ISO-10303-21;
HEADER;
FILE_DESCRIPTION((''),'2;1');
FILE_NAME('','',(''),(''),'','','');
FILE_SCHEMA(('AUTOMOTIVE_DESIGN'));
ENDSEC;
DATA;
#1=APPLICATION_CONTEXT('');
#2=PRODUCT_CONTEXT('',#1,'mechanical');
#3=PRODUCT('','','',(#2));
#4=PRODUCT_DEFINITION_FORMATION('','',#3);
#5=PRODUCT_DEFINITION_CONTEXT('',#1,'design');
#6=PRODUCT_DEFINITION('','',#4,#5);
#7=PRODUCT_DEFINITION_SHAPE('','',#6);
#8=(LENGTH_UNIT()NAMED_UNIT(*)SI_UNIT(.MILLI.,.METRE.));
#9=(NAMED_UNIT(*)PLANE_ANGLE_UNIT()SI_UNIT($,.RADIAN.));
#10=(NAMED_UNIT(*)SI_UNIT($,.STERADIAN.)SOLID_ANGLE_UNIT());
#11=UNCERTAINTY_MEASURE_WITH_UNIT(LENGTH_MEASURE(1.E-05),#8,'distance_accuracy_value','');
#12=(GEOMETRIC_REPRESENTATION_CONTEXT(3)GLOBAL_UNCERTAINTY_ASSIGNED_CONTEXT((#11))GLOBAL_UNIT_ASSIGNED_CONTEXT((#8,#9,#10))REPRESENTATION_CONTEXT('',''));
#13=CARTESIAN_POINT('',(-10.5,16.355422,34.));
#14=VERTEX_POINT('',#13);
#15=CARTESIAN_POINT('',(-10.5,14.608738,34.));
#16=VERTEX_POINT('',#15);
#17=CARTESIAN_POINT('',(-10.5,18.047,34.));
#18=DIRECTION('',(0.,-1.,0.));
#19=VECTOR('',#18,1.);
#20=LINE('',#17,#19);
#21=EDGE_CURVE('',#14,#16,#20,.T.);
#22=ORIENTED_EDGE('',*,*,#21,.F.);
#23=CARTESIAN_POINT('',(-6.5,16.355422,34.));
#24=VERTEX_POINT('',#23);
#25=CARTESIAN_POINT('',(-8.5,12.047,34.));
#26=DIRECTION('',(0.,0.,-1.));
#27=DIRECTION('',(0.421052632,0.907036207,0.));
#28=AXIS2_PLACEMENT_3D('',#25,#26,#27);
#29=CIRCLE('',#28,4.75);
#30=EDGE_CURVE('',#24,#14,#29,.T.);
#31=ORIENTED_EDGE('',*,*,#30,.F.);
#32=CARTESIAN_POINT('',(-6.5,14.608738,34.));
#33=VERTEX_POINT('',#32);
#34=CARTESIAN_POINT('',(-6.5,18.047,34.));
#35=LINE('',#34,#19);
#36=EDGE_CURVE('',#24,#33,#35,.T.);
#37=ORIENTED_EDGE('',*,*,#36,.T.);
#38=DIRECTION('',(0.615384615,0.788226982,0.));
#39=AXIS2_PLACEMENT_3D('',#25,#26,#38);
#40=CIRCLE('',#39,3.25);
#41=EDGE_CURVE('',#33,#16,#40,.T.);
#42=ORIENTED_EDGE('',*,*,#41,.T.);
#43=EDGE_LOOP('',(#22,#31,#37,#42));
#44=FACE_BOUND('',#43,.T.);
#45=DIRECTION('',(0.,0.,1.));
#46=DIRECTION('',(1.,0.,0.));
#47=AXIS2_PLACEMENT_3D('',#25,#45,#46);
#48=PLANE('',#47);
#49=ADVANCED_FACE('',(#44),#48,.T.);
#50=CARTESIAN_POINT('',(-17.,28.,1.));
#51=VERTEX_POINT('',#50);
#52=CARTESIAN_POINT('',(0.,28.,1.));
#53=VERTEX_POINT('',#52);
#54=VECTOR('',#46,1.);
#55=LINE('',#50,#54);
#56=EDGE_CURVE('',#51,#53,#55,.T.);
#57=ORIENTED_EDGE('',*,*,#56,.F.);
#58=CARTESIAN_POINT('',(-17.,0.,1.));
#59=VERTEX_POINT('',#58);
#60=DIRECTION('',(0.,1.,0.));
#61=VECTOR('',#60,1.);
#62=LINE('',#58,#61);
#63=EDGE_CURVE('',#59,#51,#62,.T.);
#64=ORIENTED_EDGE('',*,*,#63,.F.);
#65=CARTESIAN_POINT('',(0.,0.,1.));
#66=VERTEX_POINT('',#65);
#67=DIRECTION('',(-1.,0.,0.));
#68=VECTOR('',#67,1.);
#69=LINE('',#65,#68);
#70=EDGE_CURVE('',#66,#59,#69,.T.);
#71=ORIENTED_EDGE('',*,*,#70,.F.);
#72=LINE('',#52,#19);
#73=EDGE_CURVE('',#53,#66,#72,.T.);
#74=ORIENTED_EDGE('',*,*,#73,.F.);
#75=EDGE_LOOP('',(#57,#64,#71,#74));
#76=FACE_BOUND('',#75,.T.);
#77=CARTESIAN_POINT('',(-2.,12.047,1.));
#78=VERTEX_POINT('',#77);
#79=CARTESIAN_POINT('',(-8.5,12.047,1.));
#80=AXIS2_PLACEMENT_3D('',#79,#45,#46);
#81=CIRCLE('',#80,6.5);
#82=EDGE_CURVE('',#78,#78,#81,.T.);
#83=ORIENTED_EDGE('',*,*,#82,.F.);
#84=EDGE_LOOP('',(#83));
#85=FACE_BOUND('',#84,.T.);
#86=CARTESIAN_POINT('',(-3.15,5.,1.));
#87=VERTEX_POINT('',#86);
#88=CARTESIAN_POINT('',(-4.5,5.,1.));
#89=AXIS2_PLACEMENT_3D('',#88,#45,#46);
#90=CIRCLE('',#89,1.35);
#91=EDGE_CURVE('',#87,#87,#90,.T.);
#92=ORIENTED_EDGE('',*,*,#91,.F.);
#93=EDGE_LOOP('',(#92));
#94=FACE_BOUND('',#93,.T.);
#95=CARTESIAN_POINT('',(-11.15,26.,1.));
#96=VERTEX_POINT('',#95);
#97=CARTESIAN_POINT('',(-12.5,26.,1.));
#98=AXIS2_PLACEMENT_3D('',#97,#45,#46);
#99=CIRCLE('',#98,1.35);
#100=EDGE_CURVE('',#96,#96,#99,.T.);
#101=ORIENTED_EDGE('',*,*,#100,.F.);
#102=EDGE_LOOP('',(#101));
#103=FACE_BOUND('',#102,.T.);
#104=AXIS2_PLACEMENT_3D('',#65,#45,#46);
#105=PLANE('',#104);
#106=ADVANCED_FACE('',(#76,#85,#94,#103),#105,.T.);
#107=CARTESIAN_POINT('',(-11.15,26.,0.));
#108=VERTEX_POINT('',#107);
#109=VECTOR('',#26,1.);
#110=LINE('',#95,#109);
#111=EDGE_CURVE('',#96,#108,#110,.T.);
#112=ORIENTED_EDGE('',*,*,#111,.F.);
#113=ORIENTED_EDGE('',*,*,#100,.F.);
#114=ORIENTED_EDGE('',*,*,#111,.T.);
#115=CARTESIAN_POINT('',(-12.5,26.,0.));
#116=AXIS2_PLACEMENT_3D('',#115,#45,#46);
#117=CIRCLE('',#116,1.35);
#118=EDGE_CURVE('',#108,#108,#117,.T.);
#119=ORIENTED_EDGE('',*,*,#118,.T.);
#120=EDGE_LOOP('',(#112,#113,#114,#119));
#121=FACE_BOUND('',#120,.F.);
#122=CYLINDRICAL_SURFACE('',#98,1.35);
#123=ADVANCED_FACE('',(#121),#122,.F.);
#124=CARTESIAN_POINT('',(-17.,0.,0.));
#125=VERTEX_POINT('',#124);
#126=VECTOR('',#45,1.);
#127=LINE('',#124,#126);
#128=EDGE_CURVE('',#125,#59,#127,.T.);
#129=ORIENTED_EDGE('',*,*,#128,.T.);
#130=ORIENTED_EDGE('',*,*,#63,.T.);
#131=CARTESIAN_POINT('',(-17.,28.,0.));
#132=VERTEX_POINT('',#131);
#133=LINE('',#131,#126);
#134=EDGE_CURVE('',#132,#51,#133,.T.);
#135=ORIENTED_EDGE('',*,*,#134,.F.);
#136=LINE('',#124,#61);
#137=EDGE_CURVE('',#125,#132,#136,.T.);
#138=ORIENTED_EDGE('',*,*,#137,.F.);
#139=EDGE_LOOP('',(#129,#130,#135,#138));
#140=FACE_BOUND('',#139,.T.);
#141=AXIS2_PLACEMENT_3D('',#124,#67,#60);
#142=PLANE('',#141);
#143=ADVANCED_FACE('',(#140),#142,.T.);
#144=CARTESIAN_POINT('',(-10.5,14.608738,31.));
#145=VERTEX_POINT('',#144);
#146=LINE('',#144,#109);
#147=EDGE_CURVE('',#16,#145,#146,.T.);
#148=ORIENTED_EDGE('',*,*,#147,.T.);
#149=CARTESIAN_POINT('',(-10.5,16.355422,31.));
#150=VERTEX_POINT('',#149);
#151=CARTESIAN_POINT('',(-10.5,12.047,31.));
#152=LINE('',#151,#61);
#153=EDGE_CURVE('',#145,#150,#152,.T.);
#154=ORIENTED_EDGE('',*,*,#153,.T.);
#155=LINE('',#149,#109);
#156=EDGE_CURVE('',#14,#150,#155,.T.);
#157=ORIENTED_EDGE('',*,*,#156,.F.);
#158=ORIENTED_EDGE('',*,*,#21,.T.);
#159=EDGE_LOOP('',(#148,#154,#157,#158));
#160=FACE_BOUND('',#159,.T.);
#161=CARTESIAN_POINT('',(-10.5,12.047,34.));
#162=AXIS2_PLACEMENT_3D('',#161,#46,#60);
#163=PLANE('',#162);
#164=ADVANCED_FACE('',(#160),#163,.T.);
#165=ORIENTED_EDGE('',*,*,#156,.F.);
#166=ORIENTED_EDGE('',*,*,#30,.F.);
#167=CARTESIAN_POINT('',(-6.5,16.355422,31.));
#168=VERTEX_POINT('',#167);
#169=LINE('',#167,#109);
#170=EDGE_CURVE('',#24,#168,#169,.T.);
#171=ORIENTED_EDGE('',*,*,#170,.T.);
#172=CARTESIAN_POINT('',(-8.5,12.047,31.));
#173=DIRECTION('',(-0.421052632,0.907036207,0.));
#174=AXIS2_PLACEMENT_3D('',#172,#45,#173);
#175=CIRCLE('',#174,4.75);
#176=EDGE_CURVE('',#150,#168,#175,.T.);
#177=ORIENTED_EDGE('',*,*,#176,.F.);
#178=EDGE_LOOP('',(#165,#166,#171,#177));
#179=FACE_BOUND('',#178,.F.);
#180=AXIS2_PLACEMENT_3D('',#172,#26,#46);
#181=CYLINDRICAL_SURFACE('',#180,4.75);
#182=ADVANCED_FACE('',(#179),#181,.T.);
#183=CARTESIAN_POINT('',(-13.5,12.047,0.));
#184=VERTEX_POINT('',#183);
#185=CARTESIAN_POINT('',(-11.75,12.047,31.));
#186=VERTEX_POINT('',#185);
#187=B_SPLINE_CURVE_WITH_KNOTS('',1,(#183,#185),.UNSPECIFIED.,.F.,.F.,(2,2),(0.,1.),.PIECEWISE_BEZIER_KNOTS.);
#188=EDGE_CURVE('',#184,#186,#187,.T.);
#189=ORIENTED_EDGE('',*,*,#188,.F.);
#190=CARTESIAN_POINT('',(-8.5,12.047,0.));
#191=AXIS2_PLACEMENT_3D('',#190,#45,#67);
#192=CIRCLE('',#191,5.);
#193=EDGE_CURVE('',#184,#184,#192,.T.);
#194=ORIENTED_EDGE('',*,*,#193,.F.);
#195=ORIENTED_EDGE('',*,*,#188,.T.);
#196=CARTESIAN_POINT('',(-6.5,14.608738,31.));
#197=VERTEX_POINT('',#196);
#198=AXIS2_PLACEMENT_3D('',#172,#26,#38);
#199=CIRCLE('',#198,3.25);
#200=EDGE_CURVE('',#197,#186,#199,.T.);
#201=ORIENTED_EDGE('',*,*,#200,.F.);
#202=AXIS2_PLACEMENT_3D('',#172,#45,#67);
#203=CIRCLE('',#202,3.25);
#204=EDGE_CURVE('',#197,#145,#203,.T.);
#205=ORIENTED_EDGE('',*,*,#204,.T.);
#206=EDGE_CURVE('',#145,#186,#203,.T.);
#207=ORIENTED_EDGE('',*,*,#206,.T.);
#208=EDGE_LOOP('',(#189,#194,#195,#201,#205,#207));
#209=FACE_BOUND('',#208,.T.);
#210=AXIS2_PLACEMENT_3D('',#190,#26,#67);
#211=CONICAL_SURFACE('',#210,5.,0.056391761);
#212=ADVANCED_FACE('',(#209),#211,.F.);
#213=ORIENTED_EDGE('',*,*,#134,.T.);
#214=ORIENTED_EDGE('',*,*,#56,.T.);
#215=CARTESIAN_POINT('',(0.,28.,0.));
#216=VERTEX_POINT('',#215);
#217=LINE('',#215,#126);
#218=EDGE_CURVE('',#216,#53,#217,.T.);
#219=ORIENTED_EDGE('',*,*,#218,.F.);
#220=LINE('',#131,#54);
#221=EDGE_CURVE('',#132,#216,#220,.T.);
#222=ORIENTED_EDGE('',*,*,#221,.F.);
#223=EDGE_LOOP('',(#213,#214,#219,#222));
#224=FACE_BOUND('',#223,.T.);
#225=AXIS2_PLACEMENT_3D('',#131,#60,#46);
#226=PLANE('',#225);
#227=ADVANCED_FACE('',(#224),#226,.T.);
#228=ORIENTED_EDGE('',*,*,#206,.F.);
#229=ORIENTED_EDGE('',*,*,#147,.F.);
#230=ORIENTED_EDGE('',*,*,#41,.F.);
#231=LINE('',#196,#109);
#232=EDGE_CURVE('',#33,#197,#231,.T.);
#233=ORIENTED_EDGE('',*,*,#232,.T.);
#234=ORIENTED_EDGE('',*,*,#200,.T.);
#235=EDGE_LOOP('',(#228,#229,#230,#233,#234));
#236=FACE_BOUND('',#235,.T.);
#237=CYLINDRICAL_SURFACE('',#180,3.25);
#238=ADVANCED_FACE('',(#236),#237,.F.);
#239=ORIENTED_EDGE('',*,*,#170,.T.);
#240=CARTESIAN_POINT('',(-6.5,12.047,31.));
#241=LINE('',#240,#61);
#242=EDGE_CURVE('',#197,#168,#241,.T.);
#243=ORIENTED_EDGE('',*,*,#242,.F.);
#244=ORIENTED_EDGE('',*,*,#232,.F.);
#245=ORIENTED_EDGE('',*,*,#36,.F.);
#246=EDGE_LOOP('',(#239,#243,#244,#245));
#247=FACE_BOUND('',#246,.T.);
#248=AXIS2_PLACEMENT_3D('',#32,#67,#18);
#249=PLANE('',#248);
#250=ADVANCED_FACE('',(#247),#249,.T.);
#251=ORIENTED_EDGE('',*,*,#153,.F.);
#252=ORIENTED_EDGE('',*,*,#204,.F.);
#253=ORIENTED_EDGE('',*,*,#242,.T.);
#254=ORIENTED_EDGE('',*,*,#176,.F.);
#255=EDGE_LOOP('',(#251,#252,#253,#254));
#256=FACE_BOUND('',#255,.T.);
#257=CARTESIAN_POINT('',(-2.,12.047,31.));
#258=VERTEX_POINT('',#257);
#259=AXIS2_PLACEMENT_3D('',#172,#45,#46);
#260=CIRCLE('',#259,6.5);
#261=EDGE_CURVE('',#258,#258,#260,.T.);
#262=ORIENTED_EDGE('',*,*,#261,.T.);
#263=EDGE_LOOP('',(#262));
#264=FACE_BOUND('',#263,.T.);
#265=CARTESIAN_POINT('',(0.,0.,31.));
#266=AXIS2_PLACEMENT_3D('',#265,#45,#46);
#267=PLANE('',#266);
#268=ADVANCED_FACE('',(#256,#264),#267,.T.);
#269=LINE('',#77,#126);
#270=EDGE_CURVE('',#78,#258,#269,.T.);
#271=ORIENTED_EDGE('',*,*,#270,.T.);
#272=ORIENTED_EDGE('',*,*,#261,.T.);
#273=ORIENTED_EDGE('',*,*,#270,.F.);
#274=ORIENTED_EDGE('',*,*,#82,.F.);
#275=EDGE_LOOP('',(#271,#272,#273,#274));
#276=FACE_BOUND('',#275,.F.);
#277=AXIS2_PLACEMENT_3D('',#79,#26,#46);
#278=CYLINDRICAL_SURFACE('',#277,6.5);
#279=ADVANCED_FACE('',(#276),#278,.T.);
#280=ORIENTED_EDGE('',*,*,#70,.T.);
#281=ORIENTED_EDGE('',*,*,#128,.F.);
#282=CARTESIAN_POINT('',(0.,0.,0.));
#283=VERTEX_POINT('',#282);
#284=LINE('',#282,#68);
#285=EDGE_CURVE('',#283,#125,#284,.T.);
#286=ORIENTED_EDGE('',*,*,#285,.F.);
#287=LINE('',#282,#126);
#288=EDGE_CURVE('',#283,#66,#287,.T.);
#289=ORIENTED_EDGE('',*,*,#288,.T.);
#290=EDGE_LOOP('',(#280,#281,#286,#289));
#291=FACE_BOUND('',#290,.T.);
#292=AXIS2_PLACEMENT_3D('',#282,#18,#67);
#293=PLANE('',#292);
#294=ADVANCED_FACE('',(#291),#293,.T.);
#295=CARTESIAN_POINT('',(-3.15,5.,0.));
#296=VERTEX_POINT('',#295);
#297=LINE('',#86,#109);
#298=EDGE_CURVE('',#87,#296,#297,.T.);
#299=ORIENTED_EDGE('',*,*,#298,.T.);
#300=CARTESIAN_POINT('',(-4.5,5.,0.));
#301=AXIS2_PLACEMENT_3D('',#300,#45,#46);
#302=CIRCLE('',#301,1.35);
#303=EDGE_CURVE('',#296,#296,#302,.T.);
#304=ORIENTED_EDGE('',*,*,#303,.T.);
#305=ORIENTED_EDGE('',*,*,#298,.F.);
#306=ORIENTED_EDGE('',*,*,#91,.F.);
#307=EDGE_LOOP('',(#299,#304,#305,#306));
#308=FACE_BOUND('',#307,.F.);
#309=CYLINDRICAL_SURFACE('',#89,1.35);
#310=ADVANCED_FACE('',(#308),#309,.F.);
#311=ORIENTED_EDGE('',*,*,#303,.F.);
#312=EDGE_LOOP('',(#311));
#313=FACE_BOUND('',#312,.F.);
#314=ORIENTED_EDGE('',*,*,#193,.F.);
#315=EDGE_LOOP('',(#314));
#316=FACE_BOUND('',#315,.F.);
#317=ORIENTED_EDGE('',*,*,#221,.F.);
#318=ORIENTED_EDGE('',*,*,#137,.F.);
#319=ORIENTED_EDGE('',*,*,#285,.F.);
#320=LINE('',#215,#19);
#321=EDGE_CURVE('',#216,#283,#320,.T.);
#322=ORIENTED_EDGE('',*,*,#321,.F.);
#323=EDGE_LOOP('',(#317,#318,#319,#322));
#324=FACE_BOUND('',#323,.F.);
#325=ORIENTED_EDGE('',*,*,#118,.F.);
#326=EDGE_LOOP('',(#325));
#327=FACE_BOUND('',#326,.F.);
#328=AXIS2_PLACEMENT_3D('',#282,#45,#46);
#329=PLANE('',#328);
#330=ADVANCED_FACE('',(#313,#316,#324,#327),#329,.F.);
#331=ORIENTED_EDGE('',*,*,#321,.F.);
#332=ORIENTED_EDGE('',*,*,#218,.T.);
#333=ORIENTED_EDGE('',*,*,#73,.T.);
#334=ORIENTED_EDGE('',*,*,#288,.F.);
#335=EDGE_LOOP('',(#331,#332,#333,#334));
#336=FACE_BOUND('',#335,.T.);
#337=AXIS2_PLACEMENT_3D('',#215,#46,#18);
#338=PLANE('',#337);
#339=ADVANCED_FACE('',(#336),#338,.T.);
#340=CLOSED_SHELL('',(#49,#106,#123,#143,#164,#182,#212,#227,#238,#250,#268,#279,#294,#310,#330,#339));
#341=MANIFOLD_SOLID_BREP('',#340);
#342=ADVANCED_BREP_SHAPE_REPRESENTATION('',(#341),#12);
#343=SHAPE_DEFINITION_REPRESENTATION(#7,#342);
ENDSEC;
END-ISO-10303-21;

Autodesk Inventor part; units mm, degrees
ref_plane "YZ Plane" through (0, 0, 0) normal (1, 0, 0) x (0, 1, 0)
ref_plane "XZ Plane" through (0, 0, 0) normal (0, 1, 0) x (-1, 0, 0)
ref_plane "XY Plane" through (0, 0, 0) normal (0, 0, 1) x (1, 0, 0)
sketch "Sketch1" plane through (0, 0, 0) normal (0, 0, 1) x (1, 0, 0)
  line L0 (-17, 28) -> (0, 28)
  line L1 (0, 28) -> (0, 0)
  line L2 (0, 0) -> (-17, 0)
  line L3 (-17, 0) -> (-17, 28)
  dimension "d0" = 17
  dimension "d1" = 28
extrude "Extrusion1" add sketch "Sketch1" along normal blind 1
sketch "Sketch2" plane through (0, 0, 1) normal (0, 0, 1) x (1, 0, 0)
  line L0 (-17, 28) -> (-17, 0) projected
  line L1 (0, 28) -> (-17, 28) projected
  line L2 (0, 0) -> (0, 28) projected
  line L3 (-17, 0) -> (0, 0) projected
  circle A0 centre (-12.5, 26) radius 1.35
  circle A1 centre (-4.5, 5) radius 1.35
  dimension "d4" = 2.7
  dimension "d5" = 2.7
  dimension "d6" = 4.5
  dimension "d7" = 4.5
  dimension "d8" = 2
  dimension "d9" = 5
extrude "Extrusion2" cut sketch "Sketch2" against normal through all contours A0 | A1
sketch "Sketch3" plane through (0, 0, 1) normal (0, 0, 1) x (1, 0, 0)
  circle A0 centre (-12.5, 26) radius 1.35 projected
  circle A1 centre (-4.5, 5) radius 1.35 projected
  line L0 (0, 28) -> (-17, 28) projected
  line L1 (-17, 28) -> (-17, 0) projected
  line L2 (-17, 0) -> (0, 0) projected
  line L3 (0, 0) -> (0, 28) projected
  circle A2 centre (-8.5, 12.047) radius 6.5
  dimension "d12" = 13
  dimension "d13" = 12.047
extrude "Extrusion3" add sketch "Sketch3" along normal blind 30 contours A2
sketch "Sketch4" plane through (-8.5, 12.047, 31) normal (0, 0, 1) x (1, 0, 0)
  circle A0 centre (0, 0) radius 6.5 projected
  circle A1 centre (0, 0) radius 3.25
  point P0 (8.5, -12.047)
  dimension "d16" = 6.5
sketch "Sketch5" plane through (0, 0, 0) normal (0, 0, -1) x (-1, 0, 0)
  circle A0 centre (8.5, 12.047) radius 6.5 projected
  circle A1 centre (8.5, 12.047) radius 5
  point P0 (0, 0)
  dimension "d17" = 10
loft "Loft1" cut profiles "Sketch5", "Sketch4" contours A1 / A1
sketch "Sketch6" plane through (-8.5, 12.047, 31) normal (0, 0, 1) x (1, 0, 0)
  circle A0 centre (0, 0) radius 3.25 projected
  circle A1 centre (0, 0) radius 4.75
  point P0 (8.5, -12.047)
  dimension "d26" = 9.5
extrude "Extrusion6" add sketch "Sketch6" along normal blind 3
sketch "Sketch7" plane through (-8.5, 12.047, 34) normal (0, 0, 1) x (1, 0, 0)
  circle A0 centre (0, 0) radius 3.25 projected
  circle A1 centre (0, 0) radius 4.75 projected
  line L0 (2, 0) -> (-2, 0)
  line L1 (-2, 0) -> (-2, 6)
  line L2 (-2, 6) -> (2, 6)
  line L3 (2, 6) -> (2, 0)
  point P0 (8.5, -12.047)
  dimension "d29" = 4
  dimension "d30" = 2
extrude "Extrusion7" cut sketch "Sketch7" against normal up to surface (3 mm away) contours L3 L0 L1 A0 | A0 L1 A1 L3 | A1 L1 L2 L3 picked at (0, 1.0833) picked at (0.3414, 4.2128)
properties part number "TORRE0.2"
